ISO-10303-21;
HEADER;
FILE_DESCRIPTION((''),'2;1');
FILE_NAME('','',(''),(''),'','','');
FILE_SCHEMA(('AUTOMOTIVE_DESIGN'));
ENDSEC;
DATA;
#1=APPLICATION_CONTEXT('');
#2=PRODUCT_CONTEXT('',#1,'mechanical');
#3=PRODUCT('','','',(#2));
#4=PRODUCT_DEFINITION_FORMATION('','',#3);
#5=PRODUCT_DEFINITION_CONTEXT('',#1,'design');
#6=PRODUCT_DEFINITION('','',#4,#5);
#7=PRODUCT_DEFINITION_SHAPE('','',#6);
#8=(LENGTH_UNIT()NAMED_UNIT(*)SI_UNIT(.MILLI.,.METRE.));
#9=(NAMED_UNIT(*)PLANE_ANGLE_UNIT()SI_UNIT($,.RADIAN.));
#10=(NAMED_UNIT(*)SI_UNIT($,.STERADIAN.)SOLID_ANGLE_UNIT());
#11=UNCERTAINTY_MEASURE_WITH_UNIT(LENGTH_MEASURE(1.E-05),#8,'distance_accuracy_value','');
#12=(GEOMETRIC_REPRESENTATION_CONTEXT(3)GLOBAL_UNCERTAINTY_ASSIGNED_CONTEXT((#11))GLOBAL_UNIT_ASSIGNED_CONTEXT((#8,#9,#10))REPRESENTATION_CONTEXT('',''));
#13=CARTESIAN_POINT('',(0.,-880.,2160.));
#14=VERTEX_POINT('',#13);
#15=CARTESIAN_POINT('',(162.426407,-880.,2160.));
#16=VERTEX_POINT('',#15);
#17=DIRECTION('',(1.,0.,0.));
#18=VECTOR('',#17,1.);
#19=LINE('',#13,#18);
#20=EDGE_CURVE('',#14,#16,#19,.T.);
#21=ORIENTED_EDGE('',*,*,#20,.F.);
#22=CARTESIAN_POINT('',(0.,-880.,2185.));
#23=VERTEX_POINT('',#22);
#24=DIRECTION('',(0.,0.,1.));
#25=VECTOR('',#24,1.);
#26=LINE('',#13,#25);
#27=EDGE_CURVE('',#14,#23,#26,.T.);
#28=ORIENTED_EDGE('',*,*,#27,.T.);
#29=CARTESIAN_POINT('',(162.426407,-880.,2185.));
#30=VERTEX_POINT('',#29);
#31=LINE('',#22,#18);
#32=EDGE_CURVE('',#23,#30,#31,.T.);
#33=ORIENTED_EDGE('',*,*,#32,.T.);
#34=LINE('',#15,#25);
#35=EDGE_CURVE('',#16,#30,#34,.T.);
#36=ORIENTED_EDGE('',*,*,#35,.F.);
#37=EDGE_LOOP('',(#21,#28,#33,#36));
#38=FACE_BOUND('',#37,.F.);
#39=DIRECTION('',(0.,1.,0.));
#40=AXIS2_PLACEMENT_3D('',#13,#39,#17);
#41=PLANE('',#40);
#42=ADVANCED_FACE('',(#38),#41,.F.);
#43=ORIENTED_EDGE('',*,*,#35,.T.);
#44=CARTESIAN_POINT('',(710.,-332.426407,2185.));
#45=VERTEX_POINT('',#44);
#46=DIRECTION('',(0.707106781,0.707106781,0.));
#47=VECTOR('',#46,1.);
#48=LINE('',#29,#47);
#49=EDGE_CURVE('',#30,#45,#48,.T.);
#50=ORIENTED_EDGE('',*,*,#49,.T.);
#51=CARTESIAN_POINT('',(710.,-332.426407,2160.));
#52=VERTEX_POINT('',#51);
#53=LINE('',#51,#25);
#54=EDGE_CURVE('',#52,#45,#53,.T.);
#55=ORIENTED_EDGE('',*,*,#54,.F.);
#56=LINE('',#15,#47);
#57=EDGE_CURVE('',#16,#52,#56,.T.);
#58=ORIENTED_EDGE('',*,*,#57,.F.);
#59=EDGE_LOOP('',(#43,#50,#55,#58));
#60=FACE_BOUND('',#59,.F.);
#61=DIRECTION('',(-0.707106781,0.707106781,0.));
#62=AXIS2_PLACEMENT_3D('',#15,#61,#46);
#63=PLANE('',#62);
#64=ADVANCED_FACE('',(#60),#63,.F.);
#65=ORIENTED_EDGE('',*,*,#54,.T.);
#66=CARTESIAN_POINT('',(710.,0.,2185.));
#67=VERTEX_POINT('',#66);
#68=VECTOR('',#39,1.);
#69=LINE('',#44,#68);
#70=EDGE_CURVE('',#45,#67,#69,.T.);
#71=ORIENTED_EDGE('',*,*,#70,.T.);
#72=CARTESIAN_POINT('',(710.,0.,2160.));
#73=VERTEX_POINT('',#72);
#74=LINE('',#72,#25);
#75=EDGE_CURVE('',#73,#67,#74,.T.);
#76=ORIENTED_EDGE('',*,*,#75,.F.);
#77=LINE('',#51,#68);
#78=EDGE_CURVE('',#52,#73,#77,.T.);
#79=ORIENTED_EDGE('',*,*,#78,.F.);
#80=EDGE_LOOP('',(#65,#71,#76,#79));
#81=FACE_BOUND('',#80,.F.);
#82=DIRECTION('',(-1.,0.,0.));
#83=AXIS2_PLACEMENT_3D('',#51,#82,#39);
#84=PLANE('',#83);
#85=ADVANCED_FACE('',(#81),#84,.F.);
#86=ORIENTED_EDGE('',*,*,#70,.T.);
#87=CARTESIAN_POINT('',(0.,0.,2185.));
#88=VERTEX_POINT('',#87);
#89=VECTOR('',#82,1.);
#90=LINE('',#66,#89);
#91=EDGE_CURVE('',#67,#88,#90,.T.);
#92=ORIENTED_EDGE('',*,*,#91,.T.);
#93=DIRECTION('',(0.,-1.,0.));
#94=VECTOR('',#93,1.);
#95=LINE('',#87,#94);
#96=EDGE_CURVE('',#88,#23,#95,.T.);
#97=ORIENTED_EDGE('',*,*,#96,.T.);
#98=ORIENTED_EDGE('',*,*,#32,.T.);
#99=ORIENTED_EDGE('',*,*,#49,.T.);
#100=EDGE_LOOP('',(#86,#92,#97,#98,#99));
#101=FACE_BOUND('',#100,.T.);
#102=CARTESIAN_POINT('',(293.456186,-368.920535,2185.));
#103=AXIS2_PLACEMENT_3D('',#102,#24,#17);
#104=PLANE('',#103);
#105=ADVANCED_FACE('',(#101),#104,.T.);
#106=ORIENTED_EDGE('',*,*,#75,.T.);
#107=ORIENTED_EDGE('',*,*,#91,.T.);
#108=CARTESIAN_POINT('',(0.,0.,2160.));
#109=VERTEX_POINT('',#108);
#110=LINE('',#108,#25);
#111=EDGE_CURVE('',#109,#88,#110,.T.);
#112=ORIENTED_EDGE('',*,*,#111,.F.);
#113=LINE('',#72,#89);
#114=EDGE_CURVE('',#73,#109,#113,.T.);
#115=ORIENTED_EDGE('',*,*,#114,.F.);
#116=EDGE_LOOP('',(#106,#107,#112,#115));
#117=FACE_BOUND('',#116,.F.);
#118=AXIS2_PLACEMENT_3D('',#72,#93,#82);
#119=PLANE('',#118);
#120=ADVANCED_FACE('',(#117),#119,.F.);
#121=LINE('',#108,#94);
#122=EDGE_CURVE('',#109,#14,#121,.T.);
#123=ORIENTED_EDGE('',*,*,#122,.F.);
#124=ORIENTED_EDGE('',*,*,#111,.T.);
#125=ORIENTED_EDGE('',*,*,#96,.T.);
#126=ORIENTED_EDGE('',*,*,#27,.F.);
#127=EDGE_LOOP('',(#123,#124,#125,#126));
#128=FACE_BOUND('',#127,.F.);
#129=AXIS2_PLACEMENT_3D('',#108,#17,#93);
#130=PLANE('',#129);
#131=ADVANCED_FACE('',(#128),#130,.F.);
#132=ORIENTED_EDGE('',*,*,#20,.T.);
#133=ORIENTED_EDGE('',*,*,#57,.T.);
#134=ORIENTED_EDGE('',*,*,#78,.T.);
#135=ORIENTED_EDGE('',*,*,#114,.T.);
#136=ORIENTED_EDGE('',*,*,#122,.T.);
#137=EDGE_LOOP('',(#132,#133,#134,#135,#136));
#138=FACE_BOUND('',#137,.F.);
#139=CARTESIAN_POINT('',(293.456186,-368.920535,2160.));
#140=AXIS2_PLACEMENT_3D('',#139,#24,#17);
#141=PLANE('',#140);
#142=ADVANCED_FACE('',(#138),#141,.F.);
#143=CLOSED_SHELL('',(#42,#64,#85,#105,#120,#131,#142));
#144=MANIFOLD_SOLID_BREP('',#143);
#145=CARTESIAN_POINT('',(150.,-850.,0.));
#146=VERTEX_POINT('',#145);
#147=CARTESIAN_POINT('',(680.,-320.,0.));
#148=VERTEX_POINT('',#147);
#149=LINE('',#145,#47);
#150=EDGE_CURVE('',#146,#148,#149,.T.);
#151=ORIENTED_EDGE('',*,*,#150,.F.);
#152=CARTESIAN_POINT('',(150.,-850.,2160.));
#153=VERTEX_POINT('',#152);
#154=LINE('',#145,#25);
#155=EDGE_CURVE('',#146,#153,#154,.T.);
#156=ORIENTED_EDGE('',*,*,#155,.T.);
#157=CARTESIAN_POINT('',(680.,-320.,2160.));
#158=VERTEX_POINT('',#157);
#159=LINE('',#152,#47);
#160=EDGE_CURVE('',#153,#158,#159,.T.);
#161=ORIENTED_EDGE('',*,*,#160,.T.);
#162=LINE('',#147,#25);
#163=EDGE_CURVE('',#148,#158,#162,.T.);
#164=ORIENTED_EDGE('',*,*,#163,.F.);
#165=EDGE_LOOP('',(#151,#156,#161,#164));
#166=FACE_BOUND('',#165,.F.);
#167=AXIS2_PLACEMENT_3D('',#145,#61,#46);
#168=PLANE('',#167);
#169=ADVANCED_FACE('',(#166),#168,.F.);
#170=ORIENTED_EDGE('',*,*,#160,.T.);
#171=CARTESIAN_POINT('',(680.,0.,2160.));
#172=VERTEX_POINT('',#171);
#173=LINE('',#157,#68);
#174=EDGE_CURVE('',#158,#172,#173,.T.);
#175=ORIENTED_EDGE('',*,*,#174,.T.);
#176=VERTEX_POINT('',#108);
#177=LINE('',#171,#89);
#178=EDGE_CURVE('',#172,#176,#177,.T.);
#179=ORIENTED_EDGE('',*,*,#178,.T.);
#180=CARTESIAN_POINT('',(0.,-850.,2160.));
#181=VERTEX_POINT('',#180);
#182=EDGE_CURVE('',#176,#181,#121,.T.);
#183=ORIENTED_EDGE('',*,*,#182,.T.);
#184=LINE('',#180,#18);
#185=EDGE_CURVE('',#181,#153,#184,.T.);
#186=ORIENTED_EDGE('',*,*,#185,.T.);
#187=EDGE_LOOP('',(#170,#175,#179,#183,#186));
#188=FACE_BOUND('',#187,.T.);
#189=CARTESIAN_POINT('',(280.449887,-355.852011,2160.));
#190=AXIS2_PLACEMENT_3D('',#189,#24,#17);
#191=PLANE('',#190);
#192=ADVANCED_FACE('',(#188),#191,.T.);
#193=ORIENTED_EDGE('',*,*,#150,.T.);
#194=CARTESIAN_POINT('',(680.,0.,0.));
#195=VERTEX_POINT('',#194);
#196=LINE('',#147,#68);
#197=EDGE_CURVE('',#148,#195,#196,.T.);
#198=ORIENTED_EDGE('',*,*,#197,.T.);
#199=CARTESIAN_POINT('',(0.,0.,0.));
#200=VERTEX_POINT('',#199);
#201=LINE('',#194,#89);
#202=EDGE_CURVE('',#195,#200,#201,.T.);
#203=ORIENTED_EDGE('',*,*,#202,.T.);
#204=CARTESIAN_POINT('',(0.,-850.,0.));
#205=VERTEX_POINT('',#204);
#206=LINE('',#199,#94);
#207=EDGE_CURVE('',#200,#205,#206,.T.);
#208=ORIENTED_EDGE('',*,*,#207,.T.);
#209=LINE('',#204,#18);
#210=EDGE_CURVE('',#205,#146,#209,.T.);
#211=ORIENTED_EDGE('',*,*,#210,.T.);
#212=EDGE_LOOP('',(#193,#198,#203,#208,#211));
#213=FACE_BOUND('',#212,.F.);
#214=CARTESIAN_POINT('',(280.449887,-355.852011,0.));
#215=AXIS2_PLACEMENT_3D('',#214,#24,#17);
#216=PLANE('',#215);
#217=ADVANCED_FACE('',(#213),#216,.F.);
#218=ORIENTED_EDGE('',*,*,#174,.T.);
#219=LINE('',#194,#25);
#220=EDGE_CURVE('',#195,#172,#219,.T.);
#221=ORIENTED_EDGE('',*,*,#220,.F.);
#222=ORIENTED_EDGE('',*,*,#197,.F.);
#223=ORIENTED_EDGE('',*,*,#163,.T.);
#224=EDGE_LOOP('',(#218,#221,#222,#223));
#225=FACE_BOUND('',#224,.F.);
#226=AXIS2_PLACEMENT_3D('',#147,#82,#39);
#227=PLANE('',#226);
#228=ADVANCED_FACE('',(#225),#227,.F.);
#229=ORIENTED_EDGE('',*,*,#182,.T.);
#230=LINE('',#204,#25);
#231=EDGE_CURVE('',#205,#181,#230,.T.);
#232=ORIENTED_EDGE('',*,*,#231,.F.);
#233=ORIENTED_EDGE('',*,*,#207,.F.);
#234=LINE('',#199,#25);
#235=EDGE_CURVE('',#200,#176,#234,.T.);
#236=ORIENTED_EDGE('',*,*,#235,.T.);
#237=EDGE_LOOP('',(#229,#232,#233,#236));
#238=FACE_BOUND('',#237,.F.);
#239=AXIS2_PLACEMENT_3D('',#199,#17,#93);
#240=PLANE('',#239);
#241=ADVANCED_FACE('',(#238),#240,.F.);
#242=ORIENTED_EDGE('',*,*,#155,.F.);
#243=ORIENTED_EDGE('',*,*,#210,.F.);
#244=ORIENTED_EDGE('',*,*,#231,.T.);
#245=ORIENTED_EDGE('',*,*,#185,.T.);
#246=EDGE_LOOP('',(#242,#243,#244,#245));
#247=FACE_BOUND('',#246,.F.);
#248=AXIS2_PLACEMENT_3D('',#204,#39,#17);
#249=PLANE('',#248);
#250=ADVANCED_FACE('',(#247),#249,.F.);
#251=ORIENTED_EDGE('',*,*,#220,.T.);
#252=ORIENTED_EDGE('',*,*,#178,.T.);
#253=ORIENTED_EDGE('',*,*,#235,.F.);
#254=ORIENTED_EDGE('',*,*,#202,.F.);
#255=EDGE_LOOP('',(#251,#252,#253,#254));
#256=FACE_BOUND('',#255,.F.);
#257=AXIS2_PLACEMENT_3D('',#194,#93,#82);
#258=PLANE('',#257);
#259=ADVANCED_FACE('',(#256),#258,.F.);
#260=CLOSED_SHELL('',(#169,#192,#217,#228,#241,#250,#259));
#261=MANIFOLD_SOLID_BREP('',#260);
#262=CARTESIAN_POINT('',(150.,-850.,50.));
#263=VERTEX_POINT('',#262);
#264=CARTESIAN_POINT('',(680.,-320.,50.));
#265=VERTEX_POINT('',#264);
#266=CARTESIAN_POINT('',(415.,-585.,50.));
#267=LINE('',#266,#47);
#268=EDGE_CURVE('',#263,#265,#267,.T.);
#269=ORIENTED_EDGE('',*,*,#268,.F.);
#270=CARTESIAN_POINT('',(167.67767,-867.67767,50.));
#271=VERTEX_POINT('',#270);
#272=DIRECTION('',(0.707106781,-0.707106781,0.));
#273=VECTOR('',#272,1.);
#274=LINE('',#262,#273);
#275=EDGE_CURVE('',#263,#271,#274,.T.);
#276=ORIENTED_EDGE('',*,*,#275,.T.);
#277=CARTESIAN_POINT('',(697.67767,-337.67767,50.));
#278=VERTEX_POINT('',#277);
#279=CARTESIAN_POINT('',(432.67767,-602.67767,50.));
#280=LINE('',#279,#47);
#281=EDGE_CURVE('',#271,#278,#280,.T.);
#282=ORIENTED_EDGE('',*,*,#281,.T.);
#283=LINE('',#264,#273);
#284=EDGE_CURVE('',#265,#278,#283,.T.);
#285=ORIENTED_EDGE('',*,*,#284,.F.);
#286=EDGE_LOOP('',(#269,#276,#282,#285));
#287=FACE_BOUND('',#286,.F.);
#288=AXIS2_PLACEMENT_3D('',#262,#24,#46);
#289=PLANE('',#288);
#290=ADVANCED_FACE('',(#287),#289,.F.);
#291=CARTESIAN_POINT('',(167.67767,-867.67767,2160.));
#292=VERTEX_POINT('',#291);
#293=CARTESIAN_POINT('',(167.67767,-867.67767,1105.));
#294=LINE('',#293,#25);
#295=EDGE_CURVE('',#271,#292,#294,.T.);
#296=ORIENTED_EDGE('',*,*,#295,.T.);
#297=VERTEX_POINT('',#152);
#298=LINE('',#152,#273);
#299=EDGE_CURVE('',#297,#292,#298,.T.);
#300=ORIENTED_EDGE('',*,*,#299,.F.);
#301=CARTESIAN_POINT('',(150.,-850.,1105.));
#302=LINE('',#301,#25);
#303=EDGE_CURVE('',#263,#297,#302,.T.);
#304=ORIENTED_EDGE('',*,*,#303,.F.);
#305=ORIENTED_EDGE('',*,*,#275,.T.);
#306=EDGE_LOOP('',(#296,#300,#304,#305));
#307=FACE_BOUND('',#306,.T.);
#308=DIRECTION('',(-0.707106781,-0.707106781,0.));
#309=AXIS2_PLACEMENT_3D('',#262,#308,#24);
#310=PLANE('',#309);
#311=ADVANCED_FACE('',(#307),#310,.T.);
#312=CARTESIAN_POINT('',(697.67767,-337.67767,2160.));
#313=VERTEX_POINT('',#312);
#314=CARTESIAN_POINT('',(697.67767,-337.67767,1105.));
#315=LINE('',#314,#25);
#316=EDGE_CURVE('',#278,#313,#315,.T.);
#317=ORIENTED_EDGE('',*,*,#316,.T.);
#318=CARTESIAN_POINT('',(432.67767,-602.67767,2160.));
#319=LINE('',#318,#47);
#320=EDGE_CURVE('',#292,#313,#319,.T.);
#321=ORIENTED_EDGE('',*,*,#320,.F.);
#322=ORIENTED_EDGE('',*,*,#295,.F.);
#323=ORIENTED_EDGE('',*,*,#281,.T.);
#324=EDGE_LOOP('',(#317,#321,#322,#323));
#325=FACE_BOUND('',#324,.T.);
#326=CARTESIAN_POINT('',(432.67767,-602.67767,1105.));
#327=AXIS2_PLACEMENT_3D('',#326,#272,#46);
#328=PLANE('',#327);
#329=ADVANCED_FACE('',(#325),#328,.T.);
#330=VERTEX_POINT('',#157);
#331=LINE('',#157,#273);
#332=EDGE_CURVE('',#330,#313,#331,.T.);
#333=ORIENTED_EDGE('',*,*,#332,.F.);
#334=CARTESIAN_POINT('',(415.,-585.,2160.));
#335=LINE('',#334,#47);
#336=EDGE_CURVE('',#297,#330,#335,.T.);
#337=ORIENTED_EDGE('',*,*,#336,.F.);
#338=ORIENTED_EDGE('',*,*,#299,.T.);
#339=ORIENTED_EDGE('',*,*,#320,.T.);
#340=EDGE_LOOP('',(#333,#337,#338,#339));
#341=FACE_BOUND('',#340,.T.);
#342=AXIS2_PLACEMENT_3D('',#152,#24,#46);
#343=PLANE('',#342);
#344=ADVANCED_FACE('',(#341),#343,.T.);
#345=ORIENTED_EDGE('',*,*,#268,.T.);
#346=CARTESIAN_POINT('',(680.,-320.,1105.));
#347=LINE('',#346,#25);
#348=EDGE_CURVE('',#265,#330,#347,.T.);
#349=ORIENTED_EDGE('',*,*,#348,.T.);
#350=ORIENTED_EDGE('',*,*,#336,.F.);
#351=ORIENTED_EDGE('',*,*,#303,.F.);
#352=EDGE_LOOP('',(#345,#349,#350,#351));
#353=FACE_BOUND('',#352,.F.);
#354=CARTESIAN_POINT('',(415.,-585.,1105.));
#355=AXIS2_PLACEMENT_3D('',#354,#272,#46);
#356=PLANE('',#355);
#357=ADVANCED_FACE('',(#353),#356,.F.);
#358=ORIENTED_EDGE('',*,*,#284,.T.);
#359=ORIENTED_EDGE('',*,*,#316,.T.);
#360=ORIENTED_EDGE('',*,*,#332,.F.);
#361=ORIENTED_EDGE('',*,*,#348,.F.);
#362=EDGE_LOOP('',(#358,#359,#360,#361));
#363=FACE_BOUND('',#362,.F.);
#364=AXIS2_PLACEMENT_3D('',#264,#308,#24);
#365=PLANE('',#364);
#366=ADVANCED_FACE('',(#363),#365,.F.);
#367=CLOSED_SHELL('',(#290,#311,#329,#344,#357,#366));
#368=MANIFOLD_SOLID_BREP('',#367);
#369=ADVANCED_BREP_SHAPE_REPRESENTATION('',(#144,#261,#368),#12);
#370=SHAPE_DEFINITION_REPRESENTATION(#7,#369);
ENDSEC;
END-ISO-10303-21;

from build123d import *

# Parameters (mm, degrees)
F2_DEPTH = 2160
F3_W     = 749.5331880577
F3_H     = 2110
F4_DEPTH = 25
F6_DEPTH = 25


with BuildPart() as f2:
    # F1 (on Top) → F2 (new body)
    with BuildSketch(Plane.XY):
        Polygon((680, 0), (0, 0), (0, -850), (150, -850), (680, -320), align=None)
    extrude(amount=F2_DEPTH)


with BuildPart() as f4:
    # F3 (on face) → F4 (new body)
    with BuildSketch(Plane(origin=(500, -500, 0), x_dir=(0.7071067812, 0.7071067812, 0), z_dir=(0.7071067812, -0.7071067812, 0))):
        with Locations((-120.2081528017, 1105)):
            Rectangle(F3_W, F3_H)
    extrude(amount=F4_DEPTH)


with BuildPart() as f6:
    # F5 (on face) → F6 (new body)
    with BuildSketch(Plane.XY.offset(2160)):
        Polygon((162.4264068712, -880), (710, -332.4264068712), (710, 0), (0, 0), (0, -880), align=None)
    extrude(amount=F6_DEPTH)


solid = Compound([f2.part, f4.part, f6.part])
